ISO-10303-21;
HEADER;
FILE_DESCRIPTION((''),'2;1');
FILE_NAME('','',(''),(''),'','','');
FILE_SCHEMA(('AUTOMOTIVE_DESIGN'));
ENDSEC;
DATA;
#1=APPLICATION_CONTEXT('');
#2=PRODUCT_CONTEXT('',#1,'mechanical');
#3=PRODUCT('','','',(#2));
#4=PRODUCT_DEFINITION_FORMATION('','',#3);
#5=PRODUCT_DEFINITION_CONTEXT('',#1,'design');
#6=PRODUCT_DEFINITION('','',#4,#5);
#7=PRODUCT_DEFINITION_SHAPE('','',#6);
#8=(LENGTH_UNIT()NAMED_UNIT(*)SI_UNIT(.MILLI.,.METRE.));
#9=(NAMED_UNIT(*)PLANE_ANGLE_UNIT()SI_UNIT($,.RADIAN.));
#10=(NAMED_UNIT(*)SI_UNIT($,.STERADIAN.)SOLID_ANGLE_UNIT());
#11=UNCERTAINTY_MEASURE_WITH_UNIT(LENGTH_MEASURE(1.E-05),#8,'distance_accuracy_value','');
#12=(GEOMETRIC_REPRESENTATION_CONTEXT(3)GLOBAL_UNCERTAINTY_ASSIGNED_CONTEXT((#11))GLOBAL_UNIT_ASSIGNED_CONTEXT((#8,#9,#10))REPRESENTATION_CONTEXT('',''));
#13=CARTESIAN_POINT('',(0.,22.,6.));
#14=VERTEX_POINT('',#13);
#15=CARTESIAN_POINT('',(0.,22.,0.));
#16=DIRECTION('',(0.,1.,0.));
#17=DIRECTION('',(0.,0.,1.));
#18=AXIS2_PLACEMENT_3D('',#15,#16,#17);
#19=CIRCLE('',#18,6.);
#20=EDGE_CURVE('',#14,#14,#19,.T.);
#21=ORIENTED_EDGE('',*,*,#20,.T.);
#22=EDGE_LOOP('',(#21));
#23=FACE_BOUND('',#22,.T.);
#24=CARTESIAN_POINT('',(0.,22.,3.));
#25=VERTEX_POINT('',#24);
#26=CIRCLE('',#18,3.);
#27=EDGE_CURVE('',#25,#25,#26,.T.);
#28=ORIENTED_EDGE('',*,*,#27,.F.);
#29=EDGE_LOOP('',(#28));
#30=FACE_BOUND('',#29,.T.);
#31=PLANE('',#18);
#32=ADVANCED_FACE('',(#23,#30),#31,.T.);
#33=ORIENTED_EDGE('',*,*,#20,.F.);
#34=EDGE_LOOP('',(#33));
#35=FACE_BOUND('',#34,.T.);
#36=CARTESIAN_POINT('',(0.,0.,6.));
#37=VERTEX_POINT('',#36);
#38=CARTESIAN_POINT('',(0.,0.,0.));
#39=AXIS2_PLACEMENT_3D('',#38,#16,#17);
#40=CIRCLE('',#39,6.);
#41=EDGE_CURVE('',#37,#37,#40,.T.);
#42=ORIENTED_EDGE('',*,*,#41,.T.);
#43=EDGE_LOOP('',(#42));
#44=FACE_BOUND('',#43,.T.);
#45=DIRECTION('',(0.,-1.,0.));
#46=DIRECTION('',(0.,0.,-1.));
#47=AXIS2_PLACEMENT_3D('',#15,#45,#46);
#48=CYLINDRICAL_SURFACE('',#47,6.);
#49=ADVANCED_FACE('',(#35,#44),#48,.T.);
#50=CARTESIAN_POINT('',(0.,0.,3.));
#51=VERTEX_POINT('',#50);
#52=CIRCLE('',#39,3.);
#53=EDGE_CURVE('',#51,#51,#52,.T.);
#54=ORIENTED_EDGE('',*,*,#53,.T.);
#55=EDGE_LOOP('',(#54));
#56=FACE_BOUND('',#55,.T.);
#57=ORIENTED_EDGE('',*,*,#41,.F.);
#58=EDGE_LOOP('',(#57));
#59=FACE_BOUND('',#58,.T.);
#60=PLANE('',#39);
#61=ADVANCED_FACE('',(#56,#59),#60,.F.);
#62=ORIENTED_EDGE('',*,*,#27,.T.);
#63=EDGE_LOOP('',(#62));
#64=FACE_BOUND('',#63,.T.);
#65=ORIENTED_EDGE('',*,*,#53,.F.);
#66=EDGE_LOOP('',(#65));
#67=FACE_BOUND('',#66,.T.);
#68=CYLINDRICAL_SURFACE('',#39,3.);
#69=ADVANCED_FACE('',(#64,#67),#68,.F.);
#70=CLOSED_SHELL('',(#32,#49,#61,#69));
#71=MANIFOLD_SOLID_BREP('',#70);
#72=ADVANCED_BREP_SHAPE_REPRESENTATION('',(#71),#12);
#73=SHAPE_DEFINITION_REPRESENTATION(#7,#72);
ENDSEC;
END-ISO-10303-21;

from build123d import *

# Parameters (mm, degrees)
ESQUISSE1_R             = 6
BOSS_EXTRU_1_DEPTH      = 22
ESQUISSE3_R             = 3
ENL_V_MAT_EXTRU_3_DEPTH = 22


with BuildPart() as part:
    # Esquisse1 → Boss.-Extru.1 (new body)
    with BuildSketch(Plane(origin=(0, 0, 0), x_dir=(1, 0, 0), z_dir=(0, 1, 0))):
        with Locations(Location((0, 0, 0), (0, 0, 270))):  # turned: the seam where the file's is
            Circle(ESQUISSE1_R)
    extrude(amount=BOSS_EXTRU_1_DEPTH)

    # Esquisse3 → Enlèv. mat.-Extru.3 (cut)
    with BuildSketch(Plane(origin=(0, 22, 0), x_dir=(1, 0, 0), z_dir=(0, 1, 0))):
        with Locations(Location((0, 0, 0), (0, 0, 270))):  # turned: the seam where the file's is
            Circle(ESQUISSE3_R)
    extrude(amount=-ENL_V_MAT_EXTRU_3_DEPTH, mode=Mode.SUBTRACT)


solid = part.part
